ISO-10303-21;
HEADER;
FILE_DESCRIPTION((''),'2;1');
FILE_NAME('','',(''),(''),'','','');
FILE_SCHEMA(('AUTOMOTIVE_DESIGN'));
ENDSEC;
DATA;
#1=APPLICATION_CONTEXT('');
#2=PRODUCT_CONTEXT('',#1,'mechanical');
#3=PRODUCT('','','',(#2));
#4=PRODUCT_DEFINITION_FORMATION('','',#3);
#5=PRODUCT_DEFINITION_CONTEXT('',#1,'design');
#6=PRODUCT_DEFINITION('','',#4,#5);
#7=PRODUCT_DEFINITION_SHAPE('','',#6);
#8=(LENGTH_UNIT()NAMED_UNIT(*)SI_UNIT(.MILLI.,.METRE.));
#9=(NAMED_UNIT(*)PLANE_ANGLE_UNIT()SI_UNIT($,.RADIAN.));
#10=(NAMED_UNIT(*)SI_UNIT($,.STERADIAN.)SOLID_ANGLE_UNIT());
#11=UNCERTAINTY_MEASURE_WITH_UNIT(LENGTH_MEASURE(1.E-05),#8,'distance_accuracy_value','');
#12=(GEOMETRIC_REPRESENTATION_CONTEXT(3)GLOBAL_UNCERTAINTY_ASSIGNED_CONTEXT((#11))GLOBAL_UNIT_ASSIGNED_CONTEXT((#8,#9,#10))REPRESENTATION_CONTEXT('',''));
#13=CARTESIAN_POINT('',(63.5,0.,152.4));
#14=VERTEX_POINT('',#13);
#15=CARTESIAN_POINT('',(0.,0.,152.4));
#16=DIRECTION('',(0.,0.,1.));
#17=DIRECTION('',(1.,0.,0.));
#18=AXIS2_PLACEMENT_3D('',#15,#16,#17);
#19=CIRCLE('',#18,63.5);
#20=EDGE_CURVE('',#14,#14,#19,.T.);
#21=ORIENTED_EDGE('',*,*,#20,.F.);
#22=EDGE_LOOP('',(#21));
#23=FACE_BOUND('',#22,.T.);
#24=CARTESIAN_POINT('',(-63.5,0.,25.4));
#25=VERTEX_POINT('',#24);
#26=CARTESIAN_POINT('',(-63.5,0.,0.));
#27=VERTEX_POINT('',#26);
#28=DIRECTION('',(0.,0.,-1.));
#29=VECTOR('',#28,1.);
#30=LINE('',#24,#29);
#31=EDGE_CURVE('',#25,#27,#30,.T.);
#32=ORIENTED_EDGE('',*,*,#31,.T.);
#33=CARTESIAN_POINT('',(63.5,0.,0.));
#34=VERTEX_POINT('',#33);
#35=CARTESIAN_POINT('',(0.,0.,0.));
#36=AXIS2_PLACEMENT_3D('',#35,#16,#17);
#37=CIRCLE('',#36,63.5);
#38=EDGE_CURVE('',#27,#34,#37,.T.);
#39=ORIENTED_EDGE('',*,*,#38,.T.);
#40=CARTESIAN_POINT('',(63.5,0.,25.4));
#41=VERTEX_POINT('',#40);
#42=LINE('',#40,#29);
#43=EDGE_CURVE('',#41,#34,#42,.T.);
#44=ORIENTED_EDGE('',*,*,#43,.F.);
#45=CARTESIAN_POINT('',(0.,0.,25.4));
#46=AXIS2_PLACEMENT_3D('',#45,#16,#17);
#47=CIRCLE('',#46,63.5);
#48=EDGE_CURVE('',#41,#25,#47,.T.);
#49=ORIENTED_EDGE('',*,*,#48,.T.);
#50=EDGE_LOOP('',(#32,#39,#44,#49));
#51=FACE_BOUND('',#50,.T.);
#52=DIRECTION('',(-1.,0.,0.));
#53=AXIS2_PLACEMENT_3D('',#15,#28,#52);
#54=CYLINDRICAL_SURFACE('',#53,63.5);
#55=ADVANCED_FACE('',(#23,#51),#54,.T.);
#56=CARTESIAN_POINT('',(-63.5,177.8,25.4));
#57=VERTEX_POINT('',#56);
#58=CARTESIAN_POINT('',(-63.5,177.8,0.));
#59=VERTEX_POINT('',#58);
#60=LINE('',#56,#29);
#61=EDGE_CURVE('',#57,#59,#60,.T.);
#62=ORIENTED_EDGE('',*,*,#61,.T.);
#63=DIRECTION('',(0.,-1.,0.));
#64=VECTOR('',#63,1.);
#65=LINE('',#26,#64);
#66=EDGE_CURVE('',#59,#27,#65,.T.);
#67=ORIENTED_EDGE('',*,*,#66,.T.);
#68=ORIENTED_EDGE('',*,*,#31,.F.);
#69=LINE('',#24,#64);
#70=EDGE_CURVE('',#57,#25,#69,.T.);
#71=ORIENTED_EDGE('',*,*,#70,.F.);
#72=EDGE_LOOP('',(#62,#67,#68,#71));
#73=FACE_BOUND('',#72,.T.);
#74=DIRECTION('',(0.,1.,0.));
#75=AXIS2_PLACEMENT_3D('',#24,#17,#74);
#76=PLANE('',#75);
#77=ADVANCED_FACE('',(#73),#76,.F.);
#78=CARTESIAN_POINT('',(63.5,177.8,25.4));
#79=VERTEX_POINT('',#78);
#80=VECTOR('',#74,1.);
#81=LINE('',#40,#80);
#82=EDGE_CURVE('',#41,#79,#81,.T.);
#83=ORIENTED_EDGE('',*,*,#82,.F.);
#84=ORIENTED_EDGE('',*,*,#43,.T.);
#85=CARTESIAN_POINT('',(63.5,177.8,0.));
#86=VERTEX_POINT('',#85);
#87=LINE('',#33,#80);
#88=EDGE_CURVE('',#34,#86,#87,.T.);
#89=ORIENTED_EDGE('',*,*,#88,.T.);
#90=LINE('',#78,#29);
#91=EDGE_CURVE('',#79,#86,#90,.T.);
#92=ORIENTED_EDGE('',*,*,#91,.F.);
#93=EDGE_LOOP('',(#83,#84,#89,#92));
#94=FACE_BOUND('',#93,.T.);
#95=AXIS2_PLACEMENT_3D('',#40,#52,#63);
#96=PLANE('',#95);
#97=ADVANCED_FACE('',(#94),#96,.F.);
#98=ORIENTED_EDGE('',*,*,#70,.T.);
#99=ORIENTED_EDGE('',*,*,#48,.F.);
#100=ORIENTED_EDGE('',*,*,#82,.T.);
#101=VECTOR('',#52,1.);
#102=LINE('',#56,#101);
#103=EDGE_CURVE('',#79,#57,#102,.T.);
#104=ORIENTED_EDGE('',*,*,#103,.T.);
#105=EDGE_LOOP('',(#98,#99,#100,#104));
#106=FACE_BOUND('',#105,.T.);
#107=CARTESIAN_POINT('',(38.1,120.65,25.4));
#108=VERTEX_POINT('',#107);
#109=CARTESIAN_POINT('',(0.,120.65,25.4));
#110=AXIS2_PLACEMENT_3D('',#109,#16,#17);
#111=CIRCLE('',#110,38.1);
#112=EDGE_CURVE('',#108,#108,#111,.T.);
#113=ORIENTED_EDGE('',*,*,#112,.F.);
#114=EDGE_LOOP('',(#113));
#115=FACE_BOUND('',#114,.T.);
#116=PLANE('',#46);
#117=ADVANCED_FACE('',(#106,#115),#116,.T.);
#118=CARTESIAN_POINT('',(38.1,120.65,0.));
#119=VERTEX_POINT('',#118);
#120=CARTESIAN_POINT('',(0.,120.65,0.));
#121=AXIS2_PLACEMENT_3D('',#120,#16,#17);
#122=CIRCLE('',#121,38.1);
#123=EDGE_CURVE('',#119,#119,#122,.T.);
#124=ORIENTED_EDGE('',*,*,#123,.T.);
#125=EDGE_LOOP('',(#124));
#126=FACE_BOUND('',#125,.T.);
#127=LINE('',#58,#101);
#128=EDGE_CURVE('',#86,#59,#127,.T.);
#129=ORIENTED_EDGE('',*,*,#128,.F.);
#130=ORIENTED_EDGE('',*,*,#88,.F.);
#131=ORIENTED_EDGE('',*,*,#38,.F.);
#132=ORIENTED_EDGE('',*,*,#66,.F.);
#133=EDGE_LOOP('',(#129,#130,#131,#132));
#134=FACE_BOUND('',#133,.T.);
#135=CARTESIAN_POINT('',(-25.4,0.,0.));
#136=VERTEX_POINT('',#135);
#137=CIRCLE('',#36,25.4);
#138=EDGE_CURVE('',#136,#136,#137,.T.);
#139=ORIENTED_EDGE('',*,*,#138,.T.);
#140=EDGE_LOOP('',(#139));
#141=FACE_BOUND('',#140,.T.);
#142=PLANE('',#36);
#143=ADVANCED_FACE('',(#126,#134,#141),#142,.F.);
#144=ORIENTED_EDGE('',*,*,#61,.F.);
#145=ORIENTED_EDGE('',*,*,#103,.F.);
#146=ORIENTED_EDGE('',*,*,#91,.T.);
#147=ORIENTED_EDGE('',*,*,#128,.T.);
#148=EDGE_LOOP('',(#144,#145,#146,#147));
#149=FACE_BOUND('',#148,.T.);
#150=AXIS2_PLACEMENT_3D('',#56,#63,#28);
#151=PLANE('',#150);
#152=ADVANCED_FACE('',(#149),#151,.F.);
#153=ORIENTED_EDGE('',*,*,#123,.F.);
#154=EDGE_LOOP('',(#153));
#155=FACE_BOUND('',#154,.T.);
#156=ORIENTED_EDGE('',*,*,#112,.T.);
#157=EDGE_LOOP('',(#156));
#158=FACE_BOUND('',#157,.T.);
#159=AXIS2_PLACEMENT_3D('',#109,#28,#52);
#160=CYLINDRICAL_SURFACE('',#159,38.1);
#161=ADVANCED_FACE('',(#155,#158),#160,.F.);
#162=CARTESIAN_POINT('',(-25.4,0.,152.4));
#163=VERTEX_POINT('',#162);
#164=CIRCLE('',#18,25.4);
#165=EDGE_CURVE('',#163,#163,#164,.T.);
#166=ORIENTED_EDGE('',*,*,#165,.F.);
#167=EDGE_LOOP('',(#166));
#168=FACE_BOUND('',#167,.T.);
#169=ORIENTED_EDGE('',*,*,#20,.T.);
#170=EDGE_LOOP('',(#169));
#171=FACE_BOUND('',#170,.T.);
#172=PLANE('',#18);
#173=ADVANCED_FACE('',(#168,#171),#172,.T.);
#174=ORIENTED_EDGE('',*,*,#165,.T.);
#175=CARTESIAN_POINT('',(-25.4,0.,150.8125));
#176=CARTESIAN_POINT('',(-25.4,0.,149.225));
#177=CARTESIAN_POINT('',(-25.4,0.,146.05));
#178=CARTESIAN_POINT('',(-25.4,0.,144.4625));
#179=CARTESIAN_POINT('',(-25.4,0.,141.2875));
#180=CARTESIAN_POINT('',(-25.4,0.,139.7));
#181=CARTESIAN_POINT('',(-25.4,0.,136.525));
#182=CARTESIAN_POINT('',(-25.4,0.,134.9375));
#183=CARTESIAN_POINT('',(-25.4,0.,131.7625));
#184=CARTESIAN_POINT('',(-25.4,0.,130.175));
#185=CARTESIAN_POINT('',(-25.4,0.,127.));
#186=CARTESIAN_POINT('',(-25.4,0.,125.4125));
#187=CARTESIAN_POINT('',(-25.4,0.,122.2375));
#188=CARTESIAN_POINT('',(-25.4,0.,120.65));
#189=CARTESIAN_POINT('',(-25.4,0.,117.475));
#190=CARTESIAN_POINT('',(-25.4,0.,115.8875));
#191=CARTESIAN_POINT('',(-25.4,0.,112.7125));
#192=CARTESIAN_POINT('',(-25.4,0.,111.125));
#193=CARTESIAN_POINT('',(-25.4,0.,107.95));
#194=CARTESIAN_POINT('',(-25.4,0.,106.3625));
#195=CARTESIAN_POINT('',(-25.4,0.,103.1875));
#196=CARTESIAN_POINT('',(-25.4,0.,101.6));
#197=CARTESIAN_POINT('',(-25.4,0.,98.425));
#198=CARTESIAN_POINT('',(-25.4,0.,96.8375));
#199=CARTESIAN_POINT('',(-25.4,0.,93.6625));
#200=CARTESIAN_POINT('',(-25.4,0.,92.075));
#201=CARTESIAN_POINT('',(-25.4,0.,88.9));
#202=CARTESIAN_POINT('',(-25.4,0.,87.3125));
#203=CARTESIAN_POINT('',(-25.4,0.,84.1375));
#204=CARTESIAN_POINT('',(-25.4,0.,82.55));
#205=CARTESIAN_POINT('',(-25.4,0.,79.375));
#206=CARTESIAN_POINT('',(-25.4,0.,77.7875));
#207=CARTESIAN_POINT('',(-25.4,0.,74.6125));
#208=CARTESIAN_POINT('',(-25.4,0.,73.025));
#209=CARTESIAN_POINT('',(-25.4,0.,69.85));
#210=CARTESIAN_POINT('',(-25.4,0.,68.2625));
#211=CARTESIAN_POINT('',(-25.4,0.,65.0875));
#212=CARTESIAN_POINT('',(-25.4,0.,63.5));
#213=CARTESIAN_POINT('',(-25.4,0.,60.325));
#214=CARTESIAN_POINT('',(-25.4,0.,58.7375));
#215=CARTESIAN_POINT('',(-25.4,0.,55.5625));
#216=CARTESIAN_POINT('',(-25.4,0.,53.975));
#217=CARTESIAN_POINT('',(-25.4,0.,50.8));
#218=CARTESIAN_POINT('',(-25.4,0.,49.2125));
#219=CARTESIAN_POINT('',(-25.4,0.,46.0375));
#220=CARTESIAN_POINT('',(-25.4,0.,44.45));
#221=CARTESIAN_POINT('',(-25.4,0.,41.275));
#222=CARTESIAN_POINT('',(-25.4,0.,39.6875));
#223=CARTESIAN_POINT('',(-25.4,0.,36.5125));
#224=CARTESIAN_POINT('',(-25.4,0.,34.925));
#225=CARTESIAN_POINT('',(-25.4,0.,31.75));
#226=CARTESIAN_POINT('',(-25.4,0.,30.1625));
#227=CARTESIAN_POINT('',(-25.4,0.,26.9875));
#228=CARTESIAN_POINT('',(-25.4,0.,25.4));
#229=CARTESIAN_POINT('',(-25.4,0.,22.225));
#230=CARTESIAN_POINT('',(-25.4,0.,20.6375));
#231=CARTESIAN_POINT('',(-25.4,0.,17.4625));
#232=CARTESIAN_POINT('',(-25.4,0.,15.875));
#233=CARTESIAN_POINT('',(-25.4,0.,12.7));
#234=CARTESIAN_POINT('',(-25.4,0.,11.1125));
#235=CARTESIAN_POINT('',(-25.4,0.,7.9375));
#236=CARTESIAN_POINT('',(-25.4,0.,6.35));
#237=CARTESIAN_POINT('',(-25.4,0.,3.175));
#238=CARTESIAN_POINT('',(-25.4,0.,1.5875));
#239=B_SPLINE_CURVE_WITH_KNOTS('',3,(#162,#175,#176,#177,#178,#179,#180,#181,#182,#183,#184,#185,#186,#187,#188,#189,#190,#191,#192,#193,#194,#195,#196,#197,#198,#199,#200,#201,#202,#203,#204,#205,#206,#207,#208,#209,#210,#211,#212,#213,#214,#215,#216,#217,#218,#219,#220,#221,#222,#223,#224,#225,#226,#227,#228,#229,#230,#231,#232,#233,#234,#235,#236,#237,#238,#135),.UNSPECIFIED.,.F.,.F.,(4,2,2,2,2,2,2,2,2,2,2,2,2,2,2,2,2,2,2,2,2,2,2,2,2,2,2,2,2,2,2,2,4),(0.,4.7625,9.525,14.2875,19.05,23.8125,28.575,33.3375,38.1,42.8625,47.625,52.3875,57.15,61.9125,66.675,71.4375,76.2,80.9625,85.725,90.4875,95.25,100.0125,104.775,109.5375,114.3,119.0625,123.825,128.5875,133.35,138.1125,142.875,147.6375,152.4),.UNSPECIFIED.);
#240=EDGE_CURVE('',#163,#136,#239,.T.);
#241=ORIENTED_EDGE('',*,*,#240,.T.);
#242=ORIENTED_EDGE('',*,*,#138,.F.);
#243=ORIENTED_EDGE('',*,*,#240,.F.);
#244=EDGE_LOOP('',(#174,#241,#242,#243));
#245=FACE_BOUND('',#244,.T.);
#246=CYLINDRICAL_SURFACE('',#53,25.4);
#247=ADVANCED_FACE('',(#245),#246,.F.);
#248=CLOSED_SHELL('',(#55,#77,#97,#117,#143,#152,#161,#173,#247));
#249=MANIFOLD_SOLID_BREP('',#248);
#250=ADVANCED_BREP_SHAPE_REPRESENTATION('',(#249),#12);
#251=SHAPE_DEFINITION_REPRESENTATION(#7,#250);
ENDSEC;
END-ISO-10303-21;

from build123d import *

# Parameters (mm, degrees)
SKETCH3_R           = 63.5
SKETCH3_R_2         = 25.4
BOSS_EXTRUDE1_DEPTH = 152.4
SKETCH4_R           = 25.4
SKETCH4_R_2         = 38.1
BOSS_EXTRUDE2_DEPTH = 25.4


with BuildPart() as part:
    # Sketch3 → Boss-Extrude1 (new body)
    with BuildSketch(Plane(origin=(0, 0, 0), x_dir=(0, 1, 0), z_dir=(0, 0, 1))):
        with Locations(Location((0, 0, 0), (0, 0, 90))):
            Circle(SKETCH3_R)
        with Locations(Location((0, 0, 0), (0, 0, 90))):
            Circle(SKETCH3_R_2, mode=Mode.SUBTRACT)
    extrude(amount=BOSS_EXTRUDE1_DEPTH)

    # Sketch4 → Boss-Extrude2 (add)
    with BuildSketch(Plane(origin=(0, 0, 0), x_dir=(0, 1, 0), z_dir=(0, 0, 1))):
        with BuildLine():
            Line((0, 63.5), (177.8, 63.5))
            Line((177.8, 63.5), (177.8, -63.5))
            Line((177.8, -63.5), (0, -63.5))
            ThreePointArc((0, -63.5), (-63.5, 0), (0, 63.5))
        make_face()
        with Locations(Location((0, 0, 0), (0, 0, 90))):
            Circle(SKETCH4_R, mode=Mode.SUBTRACT)
        with Locations(Location((120.65, 0, 0), (0, 0, 270))):
            Circle(SKETCH4_R_2, mode=Mode.SUBTRACT)
    extrude(amount=BOSS_EXTRUDE2_DEPTH)


solid = part.part
